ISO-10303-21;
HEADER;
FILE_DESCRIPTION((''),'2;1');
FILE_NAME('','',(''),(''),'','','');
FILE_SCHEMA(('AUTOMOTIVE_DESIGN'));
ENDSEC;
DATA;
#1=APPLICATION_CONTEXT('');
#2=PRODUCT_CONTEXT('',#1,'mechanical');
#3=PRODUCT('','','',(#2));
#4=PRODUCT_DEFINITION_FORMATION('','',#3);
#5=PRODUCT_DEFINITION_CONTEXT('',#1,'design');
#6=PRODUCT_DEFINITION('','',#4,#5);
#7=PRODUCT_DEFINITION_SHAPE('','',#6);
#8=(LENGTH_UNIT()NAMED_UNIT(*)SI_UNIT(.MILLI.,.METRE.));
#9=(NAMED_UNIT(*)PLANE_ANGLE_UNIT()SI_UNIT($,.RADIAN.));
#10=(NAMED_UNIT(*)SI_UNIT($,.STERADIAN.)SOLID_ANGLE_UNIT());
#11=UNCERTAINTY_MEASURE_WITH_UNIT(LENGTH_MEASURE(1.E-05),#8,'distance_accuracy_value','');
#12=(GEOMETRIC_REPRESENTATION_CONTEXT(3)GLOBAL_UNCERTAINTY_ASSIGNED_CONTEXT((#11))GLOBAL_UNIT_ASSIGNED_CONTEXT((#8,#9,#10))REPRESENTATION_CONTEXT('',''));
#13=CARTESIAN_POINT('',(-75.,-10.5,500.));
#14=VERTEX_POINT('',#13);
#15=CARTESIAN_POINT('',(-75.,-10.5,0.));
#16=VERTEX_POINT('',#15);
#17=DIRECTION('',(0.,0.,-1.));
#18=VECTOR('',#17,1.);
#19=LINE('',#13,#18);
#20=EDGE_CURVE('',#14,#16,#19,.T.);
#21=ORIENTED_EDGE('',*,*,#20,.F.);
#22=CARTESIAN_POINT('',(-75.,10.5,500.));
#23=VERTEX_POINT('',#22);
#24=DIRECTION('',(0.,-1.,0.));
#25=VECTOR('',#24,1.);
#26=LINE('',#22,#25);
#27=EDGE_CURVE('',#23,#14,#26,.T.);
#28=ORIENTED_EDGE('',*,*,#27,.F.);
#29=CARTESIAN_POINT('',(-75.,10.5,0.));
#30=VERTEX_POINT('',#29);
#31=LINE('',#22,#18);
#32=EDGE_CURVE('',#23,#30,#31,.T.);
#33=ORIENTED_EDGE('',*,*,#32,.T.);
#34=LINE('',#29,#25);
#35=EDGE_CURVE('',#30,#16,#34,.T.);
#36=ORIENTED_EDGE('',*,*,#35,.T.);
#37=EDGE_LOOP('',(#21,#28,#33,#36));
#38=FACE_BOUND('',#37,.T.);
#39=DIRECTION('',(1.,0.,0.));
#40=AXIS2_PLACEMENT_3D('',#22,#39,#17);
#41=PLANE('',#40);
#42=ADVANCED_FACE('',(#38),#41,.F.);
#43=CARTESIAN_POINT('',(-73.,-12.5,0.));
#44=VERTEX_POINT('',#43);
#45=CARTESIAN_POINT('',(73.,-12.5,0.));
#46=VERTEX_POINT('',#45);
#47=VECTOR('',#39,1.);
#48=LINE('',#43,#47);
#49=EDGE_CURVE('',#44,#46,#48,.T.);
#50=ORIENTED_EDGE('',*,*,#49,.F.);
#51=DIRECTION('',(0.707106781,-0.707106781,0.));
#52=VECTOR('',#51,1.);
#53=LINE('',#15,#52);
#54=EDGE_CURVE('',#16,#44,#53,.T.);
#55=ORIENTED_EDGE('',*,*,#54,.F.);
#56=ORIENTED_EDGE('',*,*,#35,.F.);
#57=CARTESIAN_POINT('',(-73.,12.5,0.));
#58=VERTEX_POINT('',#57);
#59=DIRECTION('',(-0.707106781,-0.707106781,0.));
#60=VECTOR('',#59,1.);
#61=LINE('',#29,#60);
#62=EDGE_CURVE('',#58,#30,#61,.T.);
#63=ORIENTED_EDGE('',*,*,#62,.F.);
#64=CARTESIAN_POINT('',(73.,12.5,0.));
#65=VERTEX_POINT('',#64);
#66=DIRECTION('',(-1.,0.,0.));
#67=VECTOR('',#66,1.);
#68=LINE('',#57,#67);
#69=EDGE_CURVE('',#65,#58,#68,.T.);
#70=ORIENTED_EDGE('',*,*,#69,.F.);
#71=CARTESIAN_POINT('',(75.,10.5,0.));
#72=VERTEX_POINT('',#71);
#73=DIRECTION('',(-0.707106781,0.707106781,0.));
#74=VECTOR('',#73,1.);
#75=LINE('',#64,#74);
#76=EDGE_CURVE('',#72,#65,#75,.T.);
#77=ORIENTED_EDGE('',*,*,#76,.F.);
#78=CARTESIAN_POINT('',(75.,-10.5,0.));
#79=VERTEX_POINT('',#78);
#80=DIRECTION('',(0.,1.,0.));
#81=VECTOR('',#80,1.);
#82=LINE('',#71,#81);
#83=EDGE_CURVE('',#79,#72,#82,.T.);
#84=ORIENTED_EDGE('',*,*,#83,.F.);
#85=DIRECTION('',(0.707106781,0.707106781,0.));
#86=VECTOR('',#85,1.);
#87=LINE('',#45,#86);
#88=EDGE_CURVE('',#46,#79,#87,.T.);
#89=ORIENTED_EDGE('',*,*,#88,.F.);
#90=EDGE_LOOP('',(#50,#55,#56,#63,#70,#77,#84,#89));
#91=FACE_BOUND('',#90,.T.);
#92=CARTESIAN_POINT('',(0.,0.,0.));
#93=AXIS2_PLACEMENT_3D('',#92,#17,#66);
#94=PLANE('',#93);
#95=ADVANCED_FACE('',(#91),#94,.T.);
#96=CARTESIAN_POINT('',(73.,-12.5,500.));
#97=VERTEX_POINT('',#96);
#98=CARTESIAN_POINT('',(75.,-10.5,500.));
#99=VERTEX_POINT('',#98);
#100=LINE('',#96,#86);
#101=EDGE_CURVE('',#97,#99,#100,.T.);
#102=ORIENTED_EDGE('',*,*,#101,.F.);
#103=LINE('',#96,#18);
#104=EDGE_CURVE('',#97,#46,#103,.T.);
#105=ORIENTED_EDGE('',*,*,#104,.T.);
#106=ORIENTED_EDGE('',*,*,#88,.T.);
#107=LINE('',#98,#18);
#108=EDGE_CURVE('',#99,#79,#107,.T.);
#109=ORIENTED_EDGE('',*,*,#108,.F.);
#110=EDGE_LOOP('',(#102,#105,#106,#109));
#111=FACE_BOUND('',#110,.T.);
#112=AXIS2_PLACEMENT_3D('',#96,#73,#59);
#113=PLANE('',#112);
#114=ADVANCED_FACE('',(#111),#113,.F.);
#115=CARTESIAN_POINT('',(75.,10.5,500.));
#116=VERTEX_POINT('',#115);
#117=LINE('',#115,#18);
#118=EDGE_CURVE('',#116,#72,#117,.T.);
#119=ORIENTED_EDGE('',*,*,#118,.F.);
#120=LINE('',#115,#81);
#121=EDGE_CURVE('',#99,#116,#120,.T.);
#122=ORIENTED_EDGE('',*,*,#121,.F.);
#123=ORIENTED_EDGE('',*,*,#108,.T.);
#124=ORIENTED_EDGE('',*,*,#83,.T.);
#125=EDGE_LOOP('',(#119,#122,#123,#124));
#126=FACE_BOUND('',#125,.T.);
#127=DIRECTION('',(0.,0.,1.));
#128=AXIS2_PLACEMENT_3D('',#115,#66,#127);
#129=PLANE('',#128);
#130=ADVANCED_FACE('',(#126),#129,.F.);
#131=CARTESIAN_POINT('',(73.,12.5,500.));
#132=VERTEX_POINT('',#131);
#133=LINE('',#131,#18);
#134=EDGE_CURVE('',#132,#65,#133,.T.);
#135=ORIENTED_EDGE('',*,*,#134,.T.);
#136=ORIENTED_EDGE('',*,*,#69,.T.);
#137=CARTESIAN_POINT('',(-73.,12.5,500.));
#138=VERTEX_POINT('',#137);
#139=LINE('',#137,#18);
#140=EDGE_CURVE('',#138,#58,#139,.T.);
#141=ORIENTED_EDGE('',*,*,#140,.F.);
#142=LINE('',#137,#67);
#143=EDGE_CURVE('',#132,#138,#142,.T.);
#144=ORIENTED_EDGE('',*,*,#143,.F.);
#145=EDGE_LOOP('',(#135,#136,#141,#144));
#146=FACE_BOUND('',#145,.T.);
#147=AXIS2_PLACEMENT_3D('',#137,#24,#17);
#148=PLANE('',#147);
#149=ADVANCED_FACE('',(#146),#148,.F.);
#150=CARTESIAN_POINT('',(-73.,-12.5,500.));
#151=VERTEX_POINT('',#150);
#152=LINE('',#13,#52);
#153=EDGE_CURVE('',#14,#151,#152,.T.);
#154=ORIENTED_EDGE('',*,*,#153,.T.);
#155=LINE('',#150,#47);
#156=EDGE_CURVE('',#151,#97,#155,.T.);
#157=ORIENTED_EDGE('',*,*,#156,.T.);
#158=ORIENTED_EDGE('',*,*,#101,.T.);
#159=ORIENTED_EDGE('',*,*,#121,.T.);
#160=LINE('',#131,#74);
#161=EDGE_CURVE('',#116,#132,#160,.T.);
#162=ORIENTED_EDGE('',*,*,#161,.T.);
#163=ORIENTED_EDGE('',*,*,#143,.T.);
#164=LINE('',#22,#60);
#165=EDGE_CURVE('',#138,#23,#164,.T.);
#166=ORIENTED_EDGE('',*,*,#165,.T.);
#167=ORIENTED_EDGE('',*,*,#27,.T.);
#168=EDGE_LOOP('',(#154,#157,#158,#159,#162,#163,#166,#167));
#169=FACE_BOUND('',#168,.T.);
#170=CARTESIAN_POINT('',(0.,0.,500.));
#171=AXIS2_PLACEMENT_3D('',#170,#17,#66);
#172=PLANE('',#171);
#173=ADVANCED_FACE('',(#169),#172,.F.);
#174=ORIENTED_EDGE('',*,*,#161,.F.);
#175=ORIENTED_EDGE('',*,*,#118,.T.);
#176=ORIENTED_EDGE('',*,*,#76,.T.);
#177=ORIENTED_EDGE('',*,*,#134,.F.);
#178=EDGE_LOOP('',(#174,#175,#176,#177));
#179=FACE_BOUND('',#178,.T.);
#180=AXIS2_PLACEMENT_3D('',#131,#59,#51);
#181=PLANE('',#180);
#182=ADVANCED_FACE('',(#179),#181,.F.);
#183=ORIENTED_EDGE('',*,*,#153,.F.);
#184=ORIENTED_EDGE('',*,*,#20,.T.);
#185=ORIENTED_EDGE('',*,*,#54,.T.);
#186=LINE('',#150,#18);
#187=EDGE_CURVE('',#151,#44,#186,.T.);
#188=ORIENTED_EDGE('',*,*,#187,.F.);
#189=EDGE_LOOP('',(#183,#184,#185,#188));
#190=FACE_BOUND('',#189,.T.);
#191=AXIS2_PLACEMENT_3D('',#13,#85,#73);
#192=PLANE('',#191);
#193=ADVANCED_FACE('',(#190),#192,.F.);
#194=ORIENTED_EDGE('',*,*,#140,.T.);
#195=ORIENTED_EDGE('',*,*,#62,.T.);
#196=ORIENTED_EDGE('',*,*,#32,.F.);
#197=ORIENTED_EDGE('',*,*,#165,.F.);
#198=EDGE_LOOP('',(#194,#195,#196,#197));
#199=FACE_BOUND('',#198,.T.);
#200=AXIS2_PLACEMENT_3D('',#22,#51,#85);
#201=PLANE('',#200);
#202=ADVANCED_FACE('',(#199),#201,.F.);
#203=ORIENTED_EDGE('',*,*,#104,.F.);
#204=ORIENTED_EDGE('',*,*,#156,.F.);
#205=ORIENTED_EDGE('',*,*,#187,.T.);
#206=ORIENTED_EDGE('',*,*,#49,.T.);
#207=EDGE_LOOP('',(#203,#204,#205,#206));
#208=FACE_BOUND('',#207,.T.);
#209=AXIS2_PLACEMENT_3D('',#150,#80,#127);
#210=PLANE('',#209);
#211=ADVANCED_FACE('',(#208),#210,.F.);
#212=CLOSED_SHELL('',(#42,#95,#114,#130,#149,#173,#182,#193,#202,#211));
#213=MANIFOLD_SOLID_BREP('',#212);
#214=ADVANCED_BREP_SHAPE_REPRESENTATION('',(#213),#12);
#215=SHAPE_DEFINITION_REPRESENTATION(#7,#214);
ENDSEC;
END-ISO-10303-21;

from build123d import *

# Parameters (mm, degrees)
EXTRUDE_1_DEPTH = 500


with BuildPart() as part:
    # Эскиз1 → Бобышка-Вытянуть1 (new body)
    with BuildSketch(Plane.XY):
        Polygon((-75, 10.5), (-73, 12.5), (73, 12.5), (75, 10.5), (75, -10.5), (73, -12.5), (-73, -12.5), (-75, -10.5), align=None)
    extrude(amount=EXTRUDE_1_DEPTH)


solid = part.part
